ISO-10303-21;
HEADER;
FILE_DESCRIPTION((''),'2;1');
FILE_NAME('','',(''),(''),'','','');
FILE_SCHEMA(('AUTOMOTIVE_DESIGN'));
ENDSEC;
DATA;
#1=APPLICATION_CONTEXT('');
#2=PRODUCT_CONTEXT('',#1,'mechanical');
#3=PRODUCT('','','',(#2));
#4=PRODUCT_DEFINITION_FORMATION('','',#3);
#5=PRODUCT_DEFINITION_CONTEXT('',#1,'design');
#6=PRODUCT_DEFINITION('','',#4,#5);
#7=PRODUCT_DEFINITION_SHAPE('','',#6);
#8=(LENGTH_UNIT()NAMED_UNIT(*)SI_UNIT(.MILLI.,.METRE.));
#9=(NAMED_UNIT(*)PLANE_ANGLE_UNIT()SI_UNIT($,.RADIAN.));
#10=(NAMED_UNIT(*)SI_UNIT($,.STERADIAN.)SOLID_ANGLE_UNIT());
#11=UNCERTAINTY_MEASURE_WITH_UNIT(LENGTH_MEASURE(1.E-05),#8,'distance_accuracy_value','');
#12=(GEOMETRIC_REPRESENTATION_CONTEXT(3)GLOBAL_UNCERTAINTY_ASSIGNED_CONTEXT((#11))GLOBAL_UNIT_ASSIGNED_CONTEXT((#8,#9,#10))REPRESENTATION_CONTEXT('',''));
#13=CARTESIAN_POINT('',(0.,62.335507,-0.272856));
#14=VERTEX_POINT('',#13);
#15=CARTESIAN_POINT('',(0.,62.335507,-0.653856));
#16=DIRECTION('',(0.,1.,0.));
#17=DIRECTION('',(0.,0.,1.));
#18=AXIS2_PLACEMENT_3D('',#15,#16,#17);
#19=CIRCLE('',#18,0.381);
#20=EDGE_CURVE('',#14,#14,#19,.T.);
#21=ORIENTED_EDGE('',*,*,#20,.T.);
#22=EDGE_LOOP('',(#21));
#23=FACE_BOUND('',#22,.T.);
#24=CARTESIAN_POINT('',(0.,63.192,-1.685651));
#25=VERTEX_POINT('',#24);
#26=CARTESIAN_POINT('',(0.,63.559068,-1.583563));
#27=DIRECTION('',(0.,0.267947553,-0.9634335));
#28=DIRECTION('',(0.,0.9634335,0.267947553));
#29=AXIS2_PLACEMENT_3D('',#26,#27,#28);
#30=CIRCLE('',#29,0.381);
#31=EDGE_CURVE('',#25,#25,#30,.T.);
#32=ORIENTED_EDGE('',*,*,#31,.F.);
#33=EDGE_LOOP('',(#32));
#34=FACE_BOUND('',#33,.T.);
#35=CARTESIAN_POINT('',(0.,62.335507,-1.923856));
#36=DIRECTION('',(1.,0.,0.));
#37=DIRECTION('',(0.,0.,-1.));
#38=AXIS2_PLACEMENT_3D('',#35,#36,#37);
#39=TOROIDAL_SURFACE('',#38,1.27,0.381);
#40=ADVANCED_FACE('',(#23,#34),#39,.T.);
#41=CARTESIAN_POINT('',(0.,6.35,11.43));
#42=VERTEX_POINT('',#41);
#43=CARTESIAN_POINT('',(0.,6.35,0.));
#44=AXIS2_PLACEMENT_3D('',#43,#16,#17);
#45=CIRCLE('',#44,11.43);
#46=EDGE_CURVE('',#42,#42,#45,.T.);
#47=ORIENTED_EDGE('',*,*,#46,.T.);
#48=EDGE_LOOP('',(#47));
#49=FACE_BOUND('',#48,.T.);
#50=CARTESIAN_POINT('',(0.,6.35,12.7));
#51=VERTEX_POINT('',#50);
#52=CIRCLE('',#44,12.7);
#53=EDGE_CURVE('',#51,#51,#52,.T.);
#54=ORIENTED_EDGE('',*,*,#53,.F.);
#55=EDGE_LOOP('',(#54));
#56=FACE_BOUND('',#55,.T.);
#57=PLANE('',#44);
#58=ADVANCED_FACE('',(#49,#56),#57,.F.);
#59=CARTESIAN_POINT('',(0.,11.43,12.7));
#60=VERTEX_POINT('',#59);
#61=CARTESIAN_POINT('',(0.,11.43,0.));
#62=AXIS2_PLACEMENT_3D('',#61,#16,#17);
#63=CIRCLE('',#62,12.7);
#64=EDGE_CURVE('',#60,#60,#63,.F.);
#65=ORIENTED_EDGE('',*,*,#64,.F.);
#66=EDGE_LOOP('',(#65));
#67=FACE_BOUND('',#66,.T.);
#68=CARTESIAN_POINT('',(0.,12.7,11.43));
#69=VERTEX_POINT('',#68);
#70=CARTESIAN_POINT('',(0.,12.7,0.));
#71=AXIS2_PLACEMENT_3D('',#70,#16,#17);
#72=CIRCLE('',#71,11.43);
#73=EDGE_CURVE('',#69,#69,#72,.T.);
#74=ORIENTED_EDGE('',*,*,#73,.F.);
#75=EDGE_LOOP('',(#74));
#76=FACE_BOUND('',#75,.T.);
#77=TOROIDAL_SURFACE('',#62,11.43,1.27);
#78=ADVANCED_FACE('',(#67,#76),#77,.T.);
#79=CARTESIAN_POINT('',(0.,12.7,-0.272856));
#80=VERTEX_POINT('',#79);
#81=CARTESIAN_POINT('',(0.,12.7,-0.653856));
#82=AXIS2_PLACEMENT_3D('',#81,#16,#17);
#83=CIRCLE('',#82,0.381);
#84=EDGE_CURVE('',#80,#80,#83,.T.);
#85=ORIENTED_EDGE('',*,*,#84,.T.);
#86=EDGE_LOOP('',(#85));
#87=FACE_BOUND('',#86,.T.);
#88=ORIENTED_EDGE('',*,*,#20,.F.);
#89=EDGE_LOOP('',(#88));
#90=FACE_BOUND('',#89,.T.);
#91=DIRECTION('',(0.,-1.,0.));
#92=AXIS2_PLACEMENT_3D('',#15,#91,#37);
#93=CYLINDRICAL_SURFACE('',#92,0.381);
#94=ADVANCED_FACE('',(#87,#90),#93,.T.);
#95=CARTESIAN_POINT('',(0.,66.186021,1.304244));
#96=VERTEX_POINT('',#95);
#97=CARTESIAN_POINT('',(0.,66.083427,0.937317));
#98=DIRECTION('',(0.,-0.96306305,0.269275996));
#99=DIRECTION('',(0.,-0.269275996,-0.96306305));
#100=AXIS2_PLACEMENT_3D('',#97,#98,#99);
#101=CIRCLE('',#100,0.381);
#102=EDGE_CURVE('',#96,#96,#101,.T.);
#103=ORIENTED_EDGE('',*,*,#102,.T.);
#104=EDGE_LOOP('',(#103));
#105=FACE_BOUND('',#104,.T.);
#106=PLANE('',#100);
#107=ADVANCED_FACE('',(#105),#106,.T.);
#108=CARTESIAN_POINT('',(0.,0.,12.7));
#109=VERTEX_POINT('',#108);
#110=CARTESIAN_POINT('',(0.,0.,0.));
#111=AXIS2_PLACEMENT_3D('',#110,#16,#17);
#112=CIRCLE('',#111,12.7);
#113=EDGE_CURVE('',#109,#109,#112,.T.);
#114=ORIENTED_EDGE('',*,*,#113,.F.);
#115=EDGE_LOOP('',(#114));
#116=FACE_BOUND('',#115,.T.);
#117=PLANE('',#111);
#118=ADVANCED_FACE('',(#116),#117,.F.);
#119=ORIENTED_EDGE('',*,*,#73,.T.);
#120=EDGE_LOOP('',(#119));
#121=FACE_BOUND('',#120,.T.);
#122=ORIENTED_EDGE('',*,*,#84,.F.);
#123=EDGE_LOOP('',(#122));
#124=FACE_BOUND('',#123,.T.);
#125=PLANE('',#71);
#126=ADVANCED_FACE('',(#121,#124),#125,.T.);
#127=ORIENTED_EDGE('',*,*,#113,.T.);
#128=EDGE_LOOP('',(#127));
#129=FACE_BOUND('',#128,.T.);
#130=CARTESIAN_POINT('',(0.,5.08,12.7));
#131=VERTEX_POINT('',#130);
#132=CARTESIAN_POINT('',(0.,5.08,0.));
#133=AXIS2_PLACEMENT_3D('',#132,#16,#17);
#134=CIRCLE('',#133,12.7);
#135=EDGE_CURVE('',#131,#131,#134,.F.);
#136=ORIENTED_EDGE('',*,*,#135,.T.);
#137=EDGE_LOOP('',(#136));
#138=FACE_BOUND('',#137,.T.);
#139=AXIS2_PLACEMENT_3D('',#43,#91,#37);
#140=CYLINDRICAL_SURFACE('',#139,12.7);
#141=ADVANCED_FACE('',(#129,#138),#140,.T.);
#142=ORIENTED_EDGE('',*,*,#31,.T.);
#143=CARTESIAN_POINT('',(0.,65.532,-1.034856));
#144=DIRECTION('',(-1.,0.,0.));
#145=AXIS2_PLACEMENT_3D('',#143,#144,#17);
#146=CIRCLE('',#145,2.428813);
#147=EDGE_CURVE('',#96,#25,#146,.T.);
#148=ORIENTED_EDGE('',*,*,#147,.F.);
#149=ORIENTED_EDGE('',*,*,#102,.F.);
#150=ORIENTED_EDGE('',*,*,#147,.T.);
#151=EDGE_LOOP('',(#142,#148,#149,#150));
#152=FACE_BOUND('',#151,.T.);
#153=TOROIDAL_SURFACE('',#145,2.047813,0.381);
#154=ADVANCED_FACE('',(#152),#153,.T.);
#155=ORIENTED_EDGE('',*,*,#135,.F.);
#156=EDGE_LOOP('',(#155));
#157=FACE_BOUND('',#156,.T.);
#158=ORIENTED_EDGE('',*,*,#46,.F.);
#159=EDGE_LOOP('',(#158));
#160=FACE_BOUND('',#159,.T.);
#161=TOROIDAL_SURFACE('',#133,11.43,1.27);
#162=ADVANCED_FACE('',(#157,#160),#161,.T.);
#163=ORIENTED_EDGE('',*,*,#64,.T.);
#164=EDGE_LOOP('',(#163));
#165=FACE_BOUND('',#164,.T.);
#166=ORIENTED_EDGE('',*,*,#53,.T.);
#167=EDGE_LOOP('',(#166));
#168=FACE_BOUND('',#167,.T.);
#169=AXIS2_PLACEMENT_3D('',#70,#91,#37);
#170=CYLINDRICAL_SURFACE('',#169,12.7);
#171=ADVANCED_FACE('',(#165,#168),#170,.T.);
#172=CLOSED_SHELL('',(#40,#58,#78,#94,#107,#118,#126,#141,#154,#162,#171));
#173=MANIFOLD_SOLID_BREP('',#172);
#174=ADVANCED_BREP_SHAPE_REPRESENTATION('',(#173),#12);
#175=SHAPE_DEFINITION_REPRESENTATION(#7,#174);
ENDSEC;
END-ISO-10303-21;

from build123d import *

# Parameters (mm, degrees)
SKETCH1_R           = 12.7
BOSS_EXTRUDE1_DEPTH = 6.35
FILLET1_R           = 1.27
SKETCH2_R           = 12.7
BOSS_EXTRUDE2_DEPTH = 6.35
FILLET2_R           = 1.27
SWEEP1_PROFILE_R    = 0.381


with BuildPart() as part:
    # Sketch1 → Boss-Extrude1 (new body)
    with BuildSketch(Plane(origin=(0, 0, 0), x_dir=(1, 0, 0), z_dir=(0, 1, 0))):
        Circle(SKETCH1_R)
    extrude(amount=BOSS_EXTRUDE1_DEPTH)

    # Fillet1
    fillet1_edges = [part.edges().sort_by_distance(p)[0] for p in [
        (-12.7, 6.35, 0),
    ]]
    fillet(fillet1_edges, radius=FILLET1_R)

    # Sketch2 → Boss-Extrude2 (add)
    with BuildSketch(Plane(origin=(0, 6.35, 0), x_dir=(1, 0, 0), z_dir=(0, 1, 0))):
        Circle(SKETCH2_R)
    extrude(amount=BOSS_EXTRUDE2_DEPTH)

    # Fillet2
    fillet2_edges = [part.edges().sort_by_distance(p)[0] for p in [
        (-12.7, 12.7, 0),
    ]]
    fillet(fillet2_edges, radius=FILLET2_R)

    # Sweep1: sweep along a path in Sketch4
    with BuildLine(Plane(origin=(0, 0, 0), x_dir=(0, 0, -1), z_dir=(1, 0, 0))) as sweep1_path:
        Line((0.653856162, 12.7), (0.653856162, 62.335507358))
        ThreePointArc((0.653856162, 62.335507358), (0.91265079, 63.103858642), (1.58356277, 63.559067903))
        ThreePointArc((1.58356277, 63.559067903), (2.483877112, 66.979023941), (-0.937317322, 66.083427011))
    # Sweep1 profile (on start of the path) → Sweep1 (sweep)
    with BuildSketch(Plane(origin=(0, 12.7, -0.653856162), x_dir=(0, 0, 1), z_dir=(0, 1, 0))):
        Circle(SWEEP1_PROFILE_R)
    sweep(path=sweep1_path.line)


solid = part.part
